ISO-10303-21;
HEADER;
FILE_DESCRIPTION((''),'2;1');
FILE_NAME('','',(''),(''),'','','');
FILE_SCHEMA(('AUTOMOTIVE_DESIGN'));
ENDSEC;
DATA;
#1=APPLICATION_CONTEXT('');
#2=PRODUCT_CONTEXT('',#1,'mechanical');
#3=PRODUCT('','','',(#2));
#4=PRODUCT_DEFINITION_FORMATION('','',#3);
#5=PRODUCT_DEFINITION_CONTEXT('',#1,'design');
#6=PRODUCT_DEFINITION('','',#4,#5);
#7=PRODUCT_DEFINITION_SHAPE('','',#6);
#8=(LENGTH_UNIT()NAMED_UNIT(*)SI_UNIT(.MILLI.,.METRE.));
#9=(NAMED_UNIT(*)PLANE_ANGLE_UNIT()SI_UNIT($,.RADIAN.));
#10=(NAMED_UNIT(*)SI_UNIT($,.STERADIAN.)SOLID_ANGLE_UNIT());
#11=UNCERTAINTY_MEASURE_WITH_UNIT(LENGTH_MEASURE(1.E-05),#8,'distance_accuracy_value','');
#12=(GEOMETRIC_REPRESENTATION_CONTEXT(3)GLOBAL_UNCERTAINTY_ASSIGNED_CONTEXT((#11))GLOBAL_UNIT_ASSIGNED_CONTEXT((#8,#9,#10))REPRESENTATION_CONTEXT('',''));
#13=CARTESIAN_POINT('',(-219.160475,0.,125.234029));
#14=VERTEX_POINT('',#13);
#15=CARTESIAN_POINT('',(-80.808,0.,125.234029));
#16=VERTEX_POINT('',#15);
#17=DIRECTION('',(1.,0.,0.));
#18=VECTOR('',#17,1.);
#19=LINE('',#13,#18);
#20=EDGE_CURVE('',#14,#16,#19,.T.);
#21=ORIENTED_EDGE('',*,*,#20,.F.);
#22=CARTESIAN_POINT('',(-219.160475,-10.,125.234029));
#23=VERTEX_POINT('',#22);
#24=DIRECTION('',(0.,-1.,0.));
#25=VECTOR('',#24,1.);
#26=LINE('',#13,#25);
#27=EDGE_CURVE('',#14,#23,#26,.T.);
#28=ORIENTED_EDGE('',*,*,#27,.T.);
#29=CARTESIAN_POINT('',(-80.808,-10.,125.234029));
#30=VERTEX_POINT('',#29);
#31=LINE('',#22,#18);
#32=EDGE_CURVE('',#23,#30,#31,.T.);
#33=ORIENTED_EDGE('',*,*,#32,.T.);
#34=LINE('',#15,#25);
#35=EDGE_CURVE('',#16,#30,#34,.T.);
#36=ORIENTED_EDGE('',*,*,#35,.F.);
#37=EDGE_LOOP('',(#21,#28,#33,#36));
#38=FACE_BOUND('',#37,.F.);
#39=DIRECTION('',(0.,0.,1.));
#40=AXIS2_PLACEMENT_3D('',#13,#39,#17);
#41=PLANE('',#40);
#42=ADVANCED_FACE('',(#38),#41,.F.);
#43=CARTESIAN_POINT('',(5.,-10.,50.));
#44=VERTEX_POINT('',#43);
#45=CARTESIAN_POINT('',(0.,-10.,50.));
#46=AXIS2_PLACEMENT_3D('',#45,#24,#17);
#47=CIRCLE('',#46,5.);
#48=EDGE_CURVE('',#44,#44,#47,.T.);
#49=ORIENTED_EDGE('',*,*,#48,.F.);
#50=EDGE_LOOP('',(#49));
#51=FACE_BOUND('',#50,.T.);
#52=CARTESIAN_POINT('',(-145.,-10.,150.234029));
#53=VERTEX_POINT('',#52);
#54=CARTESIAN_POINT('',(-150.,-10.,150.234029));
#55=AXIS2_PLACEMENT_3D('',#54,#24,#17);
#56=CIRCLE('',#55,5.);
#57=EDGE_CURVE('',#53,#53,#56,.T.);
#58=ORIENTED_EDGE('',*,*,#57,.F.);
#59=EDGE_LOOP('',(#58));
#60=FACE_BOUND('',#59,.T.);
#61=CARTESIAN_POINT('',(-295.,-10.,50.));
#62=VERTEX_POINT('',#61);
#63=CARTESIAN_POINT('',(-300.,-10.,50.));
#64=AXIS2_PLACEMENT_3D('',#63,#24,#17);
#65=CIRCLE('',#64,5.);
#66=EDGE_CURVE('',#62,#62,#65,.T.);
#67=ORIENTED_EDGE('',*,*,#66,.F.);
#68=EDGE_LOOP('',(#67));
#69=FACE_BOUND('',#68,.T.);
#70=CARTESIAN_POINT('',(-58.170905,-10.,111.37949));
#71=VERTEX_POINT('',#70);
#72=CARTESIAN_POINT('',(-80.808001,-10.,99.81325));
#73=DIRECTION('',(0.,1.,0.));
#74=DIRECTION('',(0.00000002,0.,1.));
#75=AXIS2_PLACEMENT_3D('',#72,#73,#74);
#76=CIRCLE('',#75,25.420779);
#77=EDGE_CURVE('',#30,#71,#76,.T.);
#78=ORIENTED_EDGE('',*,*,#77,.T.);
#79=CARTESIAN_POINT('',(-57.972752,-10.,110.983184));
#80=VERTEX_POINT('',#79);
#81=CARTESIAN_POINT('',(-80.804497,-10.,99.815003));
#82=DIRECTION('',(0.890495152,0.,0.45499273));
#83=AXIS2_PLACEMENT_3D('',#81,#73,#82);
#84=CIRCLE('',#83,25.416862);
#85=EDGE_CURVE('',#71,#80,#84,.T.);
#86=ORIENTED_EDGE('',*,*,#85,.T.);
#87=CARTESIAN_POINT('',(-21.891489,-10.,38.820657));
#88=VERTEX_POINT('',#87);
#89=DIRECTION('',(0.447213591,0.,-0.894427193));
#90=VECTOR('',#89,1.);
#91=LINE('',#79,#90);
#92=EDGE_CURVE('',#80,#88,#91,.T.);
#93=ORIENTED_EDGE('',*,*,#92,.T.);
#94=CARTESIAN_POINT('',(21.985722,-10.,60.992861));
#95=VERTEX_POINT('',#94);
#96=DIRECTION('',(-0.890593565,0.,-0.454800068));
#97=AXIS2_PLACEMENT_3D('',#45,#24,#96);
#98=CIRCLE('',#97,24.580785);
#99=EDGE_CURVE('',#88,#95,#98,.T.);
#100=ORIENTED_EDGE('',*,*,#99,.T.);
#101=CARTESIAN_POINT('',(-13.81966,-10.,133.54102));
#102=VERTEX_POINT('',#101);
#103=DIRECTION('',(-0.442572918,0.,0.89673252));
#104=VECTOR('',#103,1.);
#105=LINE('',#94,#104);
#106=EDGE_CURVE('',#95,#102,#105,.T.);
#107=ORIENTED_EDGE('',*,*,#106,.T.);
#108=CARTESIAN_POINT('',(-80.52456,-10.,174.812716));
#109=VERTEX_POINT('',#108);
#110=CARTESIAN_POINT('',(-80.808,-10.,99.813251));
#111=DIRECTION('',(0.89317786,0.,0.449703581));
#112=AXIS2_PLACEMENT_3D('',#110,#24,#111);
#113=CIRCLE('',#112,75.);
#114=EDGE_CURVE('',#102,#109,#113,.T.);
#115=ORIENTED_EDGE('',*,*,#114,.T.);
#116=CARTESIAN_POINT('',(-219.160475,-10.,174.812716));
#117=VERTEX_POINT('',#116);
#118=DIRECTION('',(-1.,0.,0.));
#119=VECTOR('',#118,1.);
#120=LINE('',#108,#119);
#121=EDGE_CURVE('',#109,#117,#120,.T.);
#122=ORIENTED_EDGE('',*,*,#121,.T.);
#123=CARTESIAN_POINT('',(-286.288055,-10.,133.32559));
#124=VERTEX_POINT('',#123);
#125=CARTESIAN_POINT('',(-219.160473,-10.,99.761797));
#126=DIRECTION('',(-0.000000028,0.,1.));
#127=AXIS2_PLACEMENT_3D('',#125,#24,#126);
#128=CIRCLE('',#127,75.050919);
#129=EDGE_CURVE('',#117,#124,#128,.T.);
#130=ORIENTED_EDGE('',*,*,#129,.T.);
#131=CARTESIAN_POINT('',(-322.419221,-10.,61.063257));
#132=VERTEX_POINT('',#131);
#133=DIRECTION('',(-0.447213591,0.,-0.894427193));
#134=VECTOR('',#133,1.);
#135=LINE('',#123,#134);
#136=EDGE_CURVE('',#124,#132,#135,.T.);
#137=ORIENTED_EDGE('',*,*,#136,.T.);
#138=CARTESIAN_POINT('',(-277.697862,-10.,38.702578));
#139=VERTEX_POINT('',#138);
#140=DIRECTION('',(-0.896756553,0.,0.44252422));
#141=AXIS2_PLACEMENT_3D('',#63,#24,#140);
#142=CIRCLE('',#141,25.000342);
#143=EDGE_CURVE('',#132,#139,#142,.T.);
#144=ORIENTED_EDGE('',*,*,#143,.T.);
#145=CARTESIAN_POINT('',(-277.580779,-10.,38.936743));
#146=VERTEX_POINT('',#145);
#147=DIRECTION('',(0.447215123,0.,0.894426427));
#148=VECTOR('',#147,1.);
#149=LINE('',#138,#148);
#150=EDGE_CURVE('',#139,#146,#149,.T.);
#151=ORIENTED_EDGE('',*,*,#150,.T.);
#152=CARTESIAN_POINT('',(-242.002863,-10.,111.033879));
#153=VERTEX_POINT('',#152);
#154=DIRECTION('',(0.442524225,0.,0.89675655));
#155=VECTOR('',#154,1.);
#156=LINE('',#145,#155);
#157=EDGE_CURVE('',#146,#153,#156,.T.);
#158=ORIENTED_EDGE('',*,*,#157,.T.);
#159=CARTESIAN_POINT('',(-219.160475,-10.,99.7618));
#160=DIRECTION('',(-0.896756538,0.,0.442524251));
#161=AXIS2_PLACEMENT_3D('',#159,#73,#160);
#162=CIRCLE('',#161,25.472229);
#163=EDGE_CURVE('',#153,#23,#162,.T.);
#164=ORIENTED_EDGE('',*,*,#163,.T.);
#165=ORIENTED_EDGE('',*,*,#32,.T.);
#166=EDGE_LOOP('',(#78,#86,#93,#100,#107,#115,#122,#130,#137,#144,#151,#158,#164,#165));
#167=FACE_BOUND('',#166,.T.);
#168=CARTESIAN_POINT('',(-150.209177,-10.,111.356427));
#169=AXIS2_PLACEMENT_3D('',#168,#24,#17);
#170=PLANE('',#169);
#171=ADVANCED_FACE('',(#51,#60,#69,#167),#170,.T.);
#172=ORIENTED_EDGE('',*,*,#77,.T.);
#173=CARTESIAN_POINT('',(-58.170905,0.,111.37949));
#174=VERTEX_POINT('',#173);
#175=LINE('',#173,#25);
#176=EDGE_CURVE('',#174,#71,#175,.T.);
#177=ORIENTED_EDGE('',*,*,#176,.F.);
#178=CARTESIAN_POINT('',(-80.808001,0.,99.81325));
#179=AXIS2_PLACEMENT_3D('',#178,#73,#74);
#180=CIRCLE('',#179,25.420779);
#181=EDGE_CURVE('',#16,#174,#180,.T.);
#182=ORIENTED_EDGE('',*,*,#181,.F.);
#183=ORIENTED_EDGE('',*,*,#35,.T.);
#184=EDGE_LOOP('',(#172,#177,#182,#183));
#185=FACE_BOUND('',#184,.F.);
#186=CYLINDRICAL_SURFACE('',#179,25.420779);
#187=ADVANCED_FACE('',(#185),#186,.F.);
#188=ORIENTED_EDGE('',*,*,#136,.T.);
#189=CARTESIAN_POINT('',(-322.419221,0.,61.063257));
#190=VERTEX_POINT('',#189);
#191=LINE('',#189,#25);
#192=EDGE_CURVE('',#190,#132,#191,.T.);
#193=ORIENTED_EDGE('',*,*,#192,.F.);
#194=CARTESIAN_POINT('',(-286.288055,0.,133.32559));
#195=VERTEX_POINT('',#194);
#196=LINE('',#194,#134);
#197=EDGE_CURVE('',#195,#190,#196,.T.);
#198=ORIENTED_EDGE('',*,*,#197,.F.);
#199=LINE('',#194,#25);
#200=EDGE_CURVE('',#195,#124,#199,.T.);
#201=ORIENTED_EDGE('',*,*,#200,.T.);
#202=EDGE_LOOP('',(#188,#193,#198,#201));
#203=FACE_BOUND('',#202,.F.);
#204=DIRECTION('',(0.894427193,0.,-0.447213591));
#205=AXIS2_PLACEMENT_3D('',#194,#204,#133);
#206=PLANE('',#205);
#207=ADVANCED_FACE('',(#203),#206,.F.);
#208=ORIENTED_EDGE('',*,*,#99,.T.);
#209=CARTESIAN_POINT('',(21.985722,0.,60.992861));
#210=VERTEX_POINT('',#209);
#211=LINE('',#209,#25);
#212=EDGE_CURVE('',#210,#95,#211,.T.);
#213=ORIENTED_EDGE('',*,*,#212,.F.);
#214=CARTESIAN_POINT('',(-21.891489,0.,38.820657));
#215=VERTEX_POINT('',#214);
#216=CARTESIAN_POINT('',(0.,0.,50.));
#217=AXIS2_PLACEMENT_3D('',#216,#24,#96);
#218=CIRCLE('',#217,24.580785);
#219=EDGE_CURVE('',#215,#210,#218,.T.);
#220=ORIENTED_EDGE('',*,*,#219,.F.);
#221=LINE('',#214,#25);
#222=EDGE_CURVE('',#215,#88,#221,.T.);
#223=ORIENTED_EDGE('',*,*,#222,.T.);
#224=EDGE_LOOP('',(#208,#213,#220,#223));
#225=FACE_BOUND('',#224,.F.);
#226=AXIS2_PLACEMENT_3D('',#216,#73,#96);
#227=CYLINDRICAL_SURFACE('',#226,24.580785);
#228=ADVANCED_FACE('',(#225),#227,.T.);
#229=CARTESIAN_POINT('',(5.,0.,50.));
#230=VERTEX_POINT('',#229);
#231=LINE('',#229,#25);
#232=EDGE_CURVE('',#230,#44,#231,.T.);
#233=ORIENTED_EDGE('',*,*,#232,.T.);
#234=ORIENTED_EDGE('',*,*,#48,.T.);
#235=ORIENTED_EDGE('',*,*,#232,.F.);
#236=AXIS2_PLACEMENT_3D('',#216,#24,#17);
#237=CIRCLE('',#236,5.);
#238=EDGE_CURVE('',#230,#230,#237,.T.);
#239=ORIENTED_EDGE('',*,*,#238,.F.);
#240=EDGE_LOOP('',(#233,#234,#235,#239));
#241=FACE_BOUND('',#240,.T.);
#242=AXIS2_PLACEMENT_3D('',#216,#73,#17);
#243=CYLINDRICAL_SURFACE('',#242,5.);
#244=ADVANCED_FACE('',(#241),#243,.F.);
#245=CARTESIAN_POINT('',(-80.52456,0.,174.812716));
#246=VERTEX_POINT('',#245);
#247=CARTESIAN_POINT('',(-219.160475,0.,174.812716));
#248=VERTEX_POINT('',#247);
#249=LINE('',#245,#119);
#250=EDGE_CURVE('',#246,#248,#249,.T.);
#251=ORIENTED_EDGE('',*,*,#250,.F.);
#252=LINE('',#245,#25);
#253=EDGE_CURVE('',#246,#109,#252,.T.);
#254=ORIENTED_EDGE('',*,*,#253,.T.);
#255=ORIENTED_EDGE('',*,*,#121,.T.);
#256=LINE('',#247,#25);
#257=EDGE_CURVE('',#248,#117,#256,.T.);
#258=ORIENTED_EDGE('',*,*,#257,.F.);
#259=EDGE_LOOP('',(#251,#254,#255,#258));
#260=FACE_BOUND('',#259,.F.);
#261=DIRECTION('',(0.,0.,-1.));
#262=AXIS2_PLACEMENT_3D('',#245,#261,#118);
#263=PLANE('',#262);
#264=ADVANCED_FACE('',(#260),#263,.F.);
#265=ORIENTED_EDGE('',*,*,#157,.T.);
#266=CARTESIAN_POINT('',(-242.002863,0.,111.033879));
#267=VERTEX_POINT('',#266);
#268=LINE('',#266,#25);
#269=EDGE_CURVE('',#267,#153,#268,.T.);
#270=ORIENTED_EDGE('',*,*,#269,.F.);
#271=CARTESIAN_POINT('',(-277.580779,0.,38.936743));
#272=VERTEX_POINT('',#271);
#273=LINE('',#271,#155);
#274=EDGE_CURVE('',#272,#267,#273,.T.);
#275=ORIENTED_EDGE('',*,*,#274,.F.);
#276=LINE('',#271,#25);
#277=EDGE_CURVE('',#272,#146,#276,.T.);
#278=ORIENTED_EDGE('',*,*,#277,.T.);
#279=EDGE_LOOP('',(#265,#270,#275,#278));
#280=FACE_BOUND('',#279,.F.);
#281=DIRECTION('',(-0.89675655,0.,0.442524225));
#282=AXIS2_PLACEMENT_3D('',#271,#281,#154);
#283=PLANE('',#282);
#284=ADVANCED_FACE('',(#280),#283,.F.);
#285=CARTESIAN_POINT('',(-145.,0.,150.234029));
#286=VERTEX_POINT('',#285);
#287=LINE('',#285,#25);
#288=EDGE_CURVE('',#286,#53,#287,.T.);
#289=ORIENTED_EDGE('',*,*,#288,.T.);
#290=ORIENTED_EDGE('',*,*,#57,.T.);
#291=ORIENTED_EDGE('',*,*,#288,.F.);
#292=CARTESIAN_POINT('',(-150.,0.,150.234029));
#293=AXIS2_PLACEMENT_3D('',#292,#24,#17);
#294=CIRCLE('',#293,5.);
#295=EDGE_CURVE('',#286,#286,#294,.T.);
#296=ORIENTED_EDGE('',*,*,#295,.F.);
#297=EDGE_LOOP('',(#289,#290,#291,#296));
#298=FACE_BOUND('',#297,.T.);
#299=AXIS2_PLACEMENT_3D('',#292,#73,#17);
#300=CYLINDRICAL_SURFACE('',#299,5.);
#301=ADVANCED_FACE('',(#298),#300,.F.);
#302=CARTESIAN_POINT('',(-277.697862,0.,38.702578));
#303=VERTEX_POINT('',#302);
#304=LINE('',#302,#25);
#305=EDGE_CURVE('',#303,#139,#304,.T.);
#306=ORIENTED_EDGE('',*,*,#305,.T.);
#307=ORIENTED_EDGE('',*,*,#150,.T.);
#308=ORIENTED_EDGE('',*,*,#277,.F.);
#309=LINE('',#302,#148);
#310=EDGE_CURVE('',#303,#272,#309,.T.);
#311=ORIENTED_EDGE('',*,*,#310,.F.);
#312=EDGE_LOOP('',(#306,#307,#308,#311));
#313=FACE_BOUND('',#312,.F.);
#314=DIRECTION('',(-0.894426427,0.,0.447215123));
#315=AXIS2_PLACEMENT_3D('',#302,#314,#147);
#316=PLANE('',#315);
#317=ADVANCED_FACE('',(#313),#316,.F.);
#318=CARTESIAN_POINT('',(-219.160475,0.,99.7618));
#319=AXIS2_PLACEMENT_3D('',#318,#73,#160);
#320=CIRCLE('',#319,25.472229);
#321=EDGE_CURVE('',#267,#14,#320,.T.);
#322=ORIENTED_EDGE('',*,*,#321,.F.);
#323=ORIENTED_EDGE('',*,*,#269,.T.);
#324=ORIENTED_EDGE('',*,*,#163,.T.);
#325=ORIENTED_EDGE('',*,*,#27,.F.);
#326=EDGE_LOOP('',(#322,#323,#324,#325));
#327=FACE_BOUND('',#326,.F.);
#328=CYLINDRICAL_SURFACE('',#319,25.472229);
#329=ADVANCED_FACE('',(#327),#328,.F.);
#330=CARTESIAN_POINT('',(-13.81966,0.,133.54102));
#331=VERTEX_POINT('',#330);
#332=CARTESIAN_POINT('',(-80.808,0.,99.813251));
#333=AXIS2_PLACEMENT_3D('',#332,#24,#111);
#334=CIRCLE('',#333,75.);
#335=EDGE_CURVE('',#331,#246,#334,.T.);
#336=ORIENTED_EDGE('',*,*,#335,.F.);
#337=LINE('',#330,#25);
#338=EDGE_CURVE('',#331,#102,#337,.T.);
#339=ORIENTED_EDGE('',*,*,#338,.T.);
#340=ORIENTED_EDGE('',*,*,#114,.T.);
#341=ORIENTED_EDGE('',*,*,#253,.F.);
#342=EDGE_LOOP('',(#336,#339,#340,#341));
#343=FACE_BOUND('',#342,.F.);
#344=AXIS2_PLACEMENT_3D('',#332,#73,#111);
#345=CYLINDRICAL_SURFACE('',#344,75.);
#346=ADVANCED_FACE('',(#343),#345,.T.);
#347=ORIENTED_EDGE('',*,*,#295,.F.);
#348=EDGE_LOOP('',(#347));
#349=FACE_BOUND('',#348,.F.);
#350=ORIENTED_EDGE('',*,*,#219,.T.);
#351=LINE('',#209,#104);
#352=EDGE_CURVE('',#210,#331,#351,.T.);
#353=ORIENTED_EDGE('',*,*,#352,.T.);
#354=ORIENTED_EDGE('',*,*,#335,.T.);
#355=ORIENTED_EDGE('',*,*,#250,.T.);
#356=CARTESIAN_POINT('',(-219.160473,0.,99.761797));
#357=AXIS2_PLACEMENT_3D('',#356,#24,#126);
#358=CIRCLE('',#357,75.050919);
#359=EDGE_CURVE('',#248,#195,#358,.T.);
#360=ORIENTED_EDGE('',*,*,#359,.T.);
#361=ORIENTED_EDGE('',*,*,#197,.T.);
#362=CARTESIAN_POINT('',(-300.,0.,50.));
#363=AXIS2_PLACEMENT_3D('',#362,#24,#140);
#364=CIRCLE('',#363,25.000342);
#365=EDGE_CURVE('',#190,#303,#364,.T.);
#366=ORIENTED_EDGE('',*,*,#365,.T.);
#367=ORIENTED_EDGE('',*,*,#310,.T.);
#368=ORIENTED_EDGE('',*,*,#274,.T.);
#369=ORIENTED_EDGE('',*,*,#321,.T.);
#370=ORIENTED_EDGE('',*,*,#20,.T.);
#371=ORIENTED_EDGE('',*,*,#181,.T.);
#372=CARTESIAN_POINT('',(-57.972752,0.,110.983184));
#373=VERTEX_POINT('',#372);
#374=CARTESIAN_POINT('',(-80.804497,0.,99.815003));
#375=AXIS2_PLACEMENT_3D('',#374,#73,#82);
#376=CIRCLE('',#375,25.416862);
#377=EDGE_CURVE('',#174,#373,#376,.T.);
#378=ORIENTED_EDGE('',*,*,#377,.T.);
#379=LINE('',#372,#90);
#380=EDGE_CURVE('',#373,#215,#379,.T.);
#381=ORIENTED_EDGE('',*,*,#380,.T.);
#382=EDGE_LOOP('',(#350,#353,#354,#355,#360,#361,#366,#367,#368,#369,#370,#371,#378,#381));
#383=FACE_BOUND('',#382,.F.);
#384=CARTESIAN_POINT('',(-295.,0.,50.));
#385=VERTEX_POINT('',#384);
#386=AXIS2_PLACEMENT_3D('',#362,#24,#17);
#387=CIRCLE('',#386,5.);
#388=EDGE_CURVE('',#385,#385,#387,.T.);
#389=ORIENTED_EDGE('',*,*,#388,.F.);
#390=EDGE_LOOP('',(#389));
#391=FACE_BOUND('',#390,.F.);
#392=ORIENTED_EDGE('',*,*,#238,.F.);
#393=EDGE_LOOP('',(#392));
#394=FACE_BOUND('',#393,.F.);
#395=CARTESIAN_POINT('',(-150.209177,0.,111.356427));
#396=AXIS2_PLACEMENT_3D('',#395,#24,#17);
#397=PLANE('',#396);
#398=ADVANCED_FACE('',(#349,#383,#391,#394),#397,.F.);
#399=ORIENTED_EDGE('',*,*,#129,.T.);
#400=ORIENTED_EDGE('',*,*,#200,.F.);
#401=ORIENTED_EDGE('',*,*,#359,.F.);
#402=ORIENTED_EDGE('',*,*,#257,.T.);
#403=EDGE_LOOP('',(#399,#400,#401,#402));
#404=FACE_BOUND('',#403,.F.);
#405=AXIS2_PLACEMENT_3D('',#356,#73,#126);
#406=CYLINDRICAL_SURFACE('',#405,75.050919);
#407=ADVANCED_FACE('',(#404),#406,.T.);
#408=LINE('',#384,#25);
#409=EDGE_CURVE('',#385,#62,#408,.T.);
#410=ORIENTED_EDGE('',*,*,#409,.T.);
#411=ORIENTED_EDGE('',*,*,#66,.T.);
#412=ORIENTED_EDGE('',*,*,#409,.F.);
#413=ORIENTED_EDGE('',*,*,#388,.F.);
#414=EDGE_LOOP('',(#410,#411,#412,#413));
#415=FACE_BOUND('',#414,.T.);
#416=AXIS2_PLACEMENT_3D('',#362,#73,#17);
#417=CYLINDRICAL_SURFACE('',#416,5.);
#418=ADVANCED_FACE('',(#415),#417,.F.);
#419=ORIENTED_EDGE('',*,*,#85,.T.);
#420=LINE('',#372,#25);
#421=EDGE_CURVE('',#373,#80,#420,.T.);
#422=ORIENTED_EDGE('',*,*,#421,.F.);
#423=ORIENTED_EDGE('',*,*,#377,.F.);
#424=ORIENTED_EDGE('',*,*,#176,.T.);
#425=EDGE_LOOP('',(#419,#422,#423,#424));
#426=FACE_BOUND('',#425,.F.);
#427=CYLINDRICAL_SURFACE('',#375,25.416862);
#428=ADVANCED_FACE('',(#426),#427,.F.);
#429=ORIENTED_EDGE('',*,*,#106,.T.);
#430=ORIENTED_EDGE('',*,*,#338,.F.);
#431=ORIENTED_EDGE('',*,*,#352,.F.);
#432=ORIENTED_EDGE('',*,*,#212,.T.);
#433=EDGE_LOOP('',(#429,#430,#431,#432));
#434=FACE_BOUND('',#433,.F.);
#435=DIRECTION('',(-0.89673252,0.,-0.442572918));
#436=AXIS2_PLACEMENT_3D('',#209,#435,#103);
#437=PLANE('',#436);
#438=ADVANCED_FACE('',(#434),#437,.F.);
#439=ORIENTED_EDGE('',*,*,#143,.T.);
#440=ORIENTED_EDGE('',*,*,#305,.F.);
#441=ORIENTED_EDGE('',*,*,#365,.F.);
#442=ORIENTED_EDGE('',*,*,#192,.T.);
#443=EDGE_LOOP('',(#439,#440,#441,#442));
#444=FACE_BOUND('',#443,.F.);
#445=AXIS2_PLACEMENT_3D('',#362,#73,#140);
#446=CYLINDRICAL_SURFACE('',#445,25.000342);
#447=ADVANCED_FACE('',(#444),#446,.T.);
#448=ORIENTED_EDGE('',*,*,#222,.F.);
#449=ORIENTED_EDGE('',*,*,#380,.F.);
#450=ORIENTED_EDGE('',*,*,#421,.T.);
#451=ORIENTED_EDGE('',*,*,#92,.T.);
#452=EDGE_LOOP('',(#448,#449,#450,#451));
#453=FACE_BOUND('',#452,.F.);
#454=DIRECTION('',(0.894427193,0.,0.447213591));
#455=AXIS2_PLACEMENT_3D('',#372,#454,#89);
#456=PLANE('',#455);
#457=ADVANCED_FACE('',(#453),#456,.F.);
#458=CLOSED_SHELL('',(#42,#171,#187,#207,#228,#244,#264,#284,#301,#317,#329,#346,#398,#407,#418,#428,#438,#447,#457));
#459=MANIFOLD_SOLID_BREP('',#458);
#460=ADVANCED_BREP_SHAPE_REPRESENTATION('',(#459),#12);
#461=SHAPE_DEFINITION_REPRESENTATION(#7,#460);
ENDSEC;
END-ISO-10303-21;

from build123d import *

# Parameters (mm, degrees)
F0_R     = 5
F1_DEPTH = 10


with BuildPart() as f1:
    # F0 (on Front) → F1 (new body)
    with BuildSketch(Plane.XZ):
        with BuildLine():
            ThreePointArc((-219.160475, 174.812716), (-258.617076, 163.603922), (-286.288055, 133.32559))
            Line((-286.288055, 133.32559), (-322.419221, 61.063257))
            ThreePointArc((-322.419221, 61.063257), (-311.180493, 27.639014), (-277.697862, 38.702578))
            Line((-277.697862, 38.702578), (-277.580779, 38.936743))
            Line((-277.580779, 38.936743), (-242.002863, 111.033879))
            ThreePointArc((-242.002863, 111.033879), (-232.608699, 121.394639), (-219.160475, 125.234029))
            Line((-219.160475, 125.234029), (-80.808, 125.234029))
            ThreePointArc((-80.808, 125.234029), (-67.537861, 121.495487), (-58.170905, 111.37949))
            ThreePointArc((-58.170905, 111.37949), (-58.070965, 111.181769), (-57.972752, 110.983184))
            Line((-57.972752, 110.983184), (-21.891489, 38.820657))
            ThreePointArc((-21.891489, 38.820657), (11.086202, 28.061196), (21.985722, 60.992861))
            Line((21.985722, 60.992861), (-13.81966, 133.54102))
            ThreePointArc((-13.81966, 133.54102), (-41.346483, 163.59247), (-80.52456, 174.812716))
            Line((-80.52456, 174.812716), (-219.160475, 174.812716))
        make_face()
        with Locations((-300, 50)):
            Circle(F0_R, mode=Mode.SUBTRACT)
        with Locations((0, 50)):
            Circle(F0_R, mode=Mode.SUBTRACT)
        with Locations((-150, 150.234029)):
            Circle(F0_R, mode=Mode.SUBTRACT)
    extrude(amount=F1_DEPTH)


solid = f1.part
